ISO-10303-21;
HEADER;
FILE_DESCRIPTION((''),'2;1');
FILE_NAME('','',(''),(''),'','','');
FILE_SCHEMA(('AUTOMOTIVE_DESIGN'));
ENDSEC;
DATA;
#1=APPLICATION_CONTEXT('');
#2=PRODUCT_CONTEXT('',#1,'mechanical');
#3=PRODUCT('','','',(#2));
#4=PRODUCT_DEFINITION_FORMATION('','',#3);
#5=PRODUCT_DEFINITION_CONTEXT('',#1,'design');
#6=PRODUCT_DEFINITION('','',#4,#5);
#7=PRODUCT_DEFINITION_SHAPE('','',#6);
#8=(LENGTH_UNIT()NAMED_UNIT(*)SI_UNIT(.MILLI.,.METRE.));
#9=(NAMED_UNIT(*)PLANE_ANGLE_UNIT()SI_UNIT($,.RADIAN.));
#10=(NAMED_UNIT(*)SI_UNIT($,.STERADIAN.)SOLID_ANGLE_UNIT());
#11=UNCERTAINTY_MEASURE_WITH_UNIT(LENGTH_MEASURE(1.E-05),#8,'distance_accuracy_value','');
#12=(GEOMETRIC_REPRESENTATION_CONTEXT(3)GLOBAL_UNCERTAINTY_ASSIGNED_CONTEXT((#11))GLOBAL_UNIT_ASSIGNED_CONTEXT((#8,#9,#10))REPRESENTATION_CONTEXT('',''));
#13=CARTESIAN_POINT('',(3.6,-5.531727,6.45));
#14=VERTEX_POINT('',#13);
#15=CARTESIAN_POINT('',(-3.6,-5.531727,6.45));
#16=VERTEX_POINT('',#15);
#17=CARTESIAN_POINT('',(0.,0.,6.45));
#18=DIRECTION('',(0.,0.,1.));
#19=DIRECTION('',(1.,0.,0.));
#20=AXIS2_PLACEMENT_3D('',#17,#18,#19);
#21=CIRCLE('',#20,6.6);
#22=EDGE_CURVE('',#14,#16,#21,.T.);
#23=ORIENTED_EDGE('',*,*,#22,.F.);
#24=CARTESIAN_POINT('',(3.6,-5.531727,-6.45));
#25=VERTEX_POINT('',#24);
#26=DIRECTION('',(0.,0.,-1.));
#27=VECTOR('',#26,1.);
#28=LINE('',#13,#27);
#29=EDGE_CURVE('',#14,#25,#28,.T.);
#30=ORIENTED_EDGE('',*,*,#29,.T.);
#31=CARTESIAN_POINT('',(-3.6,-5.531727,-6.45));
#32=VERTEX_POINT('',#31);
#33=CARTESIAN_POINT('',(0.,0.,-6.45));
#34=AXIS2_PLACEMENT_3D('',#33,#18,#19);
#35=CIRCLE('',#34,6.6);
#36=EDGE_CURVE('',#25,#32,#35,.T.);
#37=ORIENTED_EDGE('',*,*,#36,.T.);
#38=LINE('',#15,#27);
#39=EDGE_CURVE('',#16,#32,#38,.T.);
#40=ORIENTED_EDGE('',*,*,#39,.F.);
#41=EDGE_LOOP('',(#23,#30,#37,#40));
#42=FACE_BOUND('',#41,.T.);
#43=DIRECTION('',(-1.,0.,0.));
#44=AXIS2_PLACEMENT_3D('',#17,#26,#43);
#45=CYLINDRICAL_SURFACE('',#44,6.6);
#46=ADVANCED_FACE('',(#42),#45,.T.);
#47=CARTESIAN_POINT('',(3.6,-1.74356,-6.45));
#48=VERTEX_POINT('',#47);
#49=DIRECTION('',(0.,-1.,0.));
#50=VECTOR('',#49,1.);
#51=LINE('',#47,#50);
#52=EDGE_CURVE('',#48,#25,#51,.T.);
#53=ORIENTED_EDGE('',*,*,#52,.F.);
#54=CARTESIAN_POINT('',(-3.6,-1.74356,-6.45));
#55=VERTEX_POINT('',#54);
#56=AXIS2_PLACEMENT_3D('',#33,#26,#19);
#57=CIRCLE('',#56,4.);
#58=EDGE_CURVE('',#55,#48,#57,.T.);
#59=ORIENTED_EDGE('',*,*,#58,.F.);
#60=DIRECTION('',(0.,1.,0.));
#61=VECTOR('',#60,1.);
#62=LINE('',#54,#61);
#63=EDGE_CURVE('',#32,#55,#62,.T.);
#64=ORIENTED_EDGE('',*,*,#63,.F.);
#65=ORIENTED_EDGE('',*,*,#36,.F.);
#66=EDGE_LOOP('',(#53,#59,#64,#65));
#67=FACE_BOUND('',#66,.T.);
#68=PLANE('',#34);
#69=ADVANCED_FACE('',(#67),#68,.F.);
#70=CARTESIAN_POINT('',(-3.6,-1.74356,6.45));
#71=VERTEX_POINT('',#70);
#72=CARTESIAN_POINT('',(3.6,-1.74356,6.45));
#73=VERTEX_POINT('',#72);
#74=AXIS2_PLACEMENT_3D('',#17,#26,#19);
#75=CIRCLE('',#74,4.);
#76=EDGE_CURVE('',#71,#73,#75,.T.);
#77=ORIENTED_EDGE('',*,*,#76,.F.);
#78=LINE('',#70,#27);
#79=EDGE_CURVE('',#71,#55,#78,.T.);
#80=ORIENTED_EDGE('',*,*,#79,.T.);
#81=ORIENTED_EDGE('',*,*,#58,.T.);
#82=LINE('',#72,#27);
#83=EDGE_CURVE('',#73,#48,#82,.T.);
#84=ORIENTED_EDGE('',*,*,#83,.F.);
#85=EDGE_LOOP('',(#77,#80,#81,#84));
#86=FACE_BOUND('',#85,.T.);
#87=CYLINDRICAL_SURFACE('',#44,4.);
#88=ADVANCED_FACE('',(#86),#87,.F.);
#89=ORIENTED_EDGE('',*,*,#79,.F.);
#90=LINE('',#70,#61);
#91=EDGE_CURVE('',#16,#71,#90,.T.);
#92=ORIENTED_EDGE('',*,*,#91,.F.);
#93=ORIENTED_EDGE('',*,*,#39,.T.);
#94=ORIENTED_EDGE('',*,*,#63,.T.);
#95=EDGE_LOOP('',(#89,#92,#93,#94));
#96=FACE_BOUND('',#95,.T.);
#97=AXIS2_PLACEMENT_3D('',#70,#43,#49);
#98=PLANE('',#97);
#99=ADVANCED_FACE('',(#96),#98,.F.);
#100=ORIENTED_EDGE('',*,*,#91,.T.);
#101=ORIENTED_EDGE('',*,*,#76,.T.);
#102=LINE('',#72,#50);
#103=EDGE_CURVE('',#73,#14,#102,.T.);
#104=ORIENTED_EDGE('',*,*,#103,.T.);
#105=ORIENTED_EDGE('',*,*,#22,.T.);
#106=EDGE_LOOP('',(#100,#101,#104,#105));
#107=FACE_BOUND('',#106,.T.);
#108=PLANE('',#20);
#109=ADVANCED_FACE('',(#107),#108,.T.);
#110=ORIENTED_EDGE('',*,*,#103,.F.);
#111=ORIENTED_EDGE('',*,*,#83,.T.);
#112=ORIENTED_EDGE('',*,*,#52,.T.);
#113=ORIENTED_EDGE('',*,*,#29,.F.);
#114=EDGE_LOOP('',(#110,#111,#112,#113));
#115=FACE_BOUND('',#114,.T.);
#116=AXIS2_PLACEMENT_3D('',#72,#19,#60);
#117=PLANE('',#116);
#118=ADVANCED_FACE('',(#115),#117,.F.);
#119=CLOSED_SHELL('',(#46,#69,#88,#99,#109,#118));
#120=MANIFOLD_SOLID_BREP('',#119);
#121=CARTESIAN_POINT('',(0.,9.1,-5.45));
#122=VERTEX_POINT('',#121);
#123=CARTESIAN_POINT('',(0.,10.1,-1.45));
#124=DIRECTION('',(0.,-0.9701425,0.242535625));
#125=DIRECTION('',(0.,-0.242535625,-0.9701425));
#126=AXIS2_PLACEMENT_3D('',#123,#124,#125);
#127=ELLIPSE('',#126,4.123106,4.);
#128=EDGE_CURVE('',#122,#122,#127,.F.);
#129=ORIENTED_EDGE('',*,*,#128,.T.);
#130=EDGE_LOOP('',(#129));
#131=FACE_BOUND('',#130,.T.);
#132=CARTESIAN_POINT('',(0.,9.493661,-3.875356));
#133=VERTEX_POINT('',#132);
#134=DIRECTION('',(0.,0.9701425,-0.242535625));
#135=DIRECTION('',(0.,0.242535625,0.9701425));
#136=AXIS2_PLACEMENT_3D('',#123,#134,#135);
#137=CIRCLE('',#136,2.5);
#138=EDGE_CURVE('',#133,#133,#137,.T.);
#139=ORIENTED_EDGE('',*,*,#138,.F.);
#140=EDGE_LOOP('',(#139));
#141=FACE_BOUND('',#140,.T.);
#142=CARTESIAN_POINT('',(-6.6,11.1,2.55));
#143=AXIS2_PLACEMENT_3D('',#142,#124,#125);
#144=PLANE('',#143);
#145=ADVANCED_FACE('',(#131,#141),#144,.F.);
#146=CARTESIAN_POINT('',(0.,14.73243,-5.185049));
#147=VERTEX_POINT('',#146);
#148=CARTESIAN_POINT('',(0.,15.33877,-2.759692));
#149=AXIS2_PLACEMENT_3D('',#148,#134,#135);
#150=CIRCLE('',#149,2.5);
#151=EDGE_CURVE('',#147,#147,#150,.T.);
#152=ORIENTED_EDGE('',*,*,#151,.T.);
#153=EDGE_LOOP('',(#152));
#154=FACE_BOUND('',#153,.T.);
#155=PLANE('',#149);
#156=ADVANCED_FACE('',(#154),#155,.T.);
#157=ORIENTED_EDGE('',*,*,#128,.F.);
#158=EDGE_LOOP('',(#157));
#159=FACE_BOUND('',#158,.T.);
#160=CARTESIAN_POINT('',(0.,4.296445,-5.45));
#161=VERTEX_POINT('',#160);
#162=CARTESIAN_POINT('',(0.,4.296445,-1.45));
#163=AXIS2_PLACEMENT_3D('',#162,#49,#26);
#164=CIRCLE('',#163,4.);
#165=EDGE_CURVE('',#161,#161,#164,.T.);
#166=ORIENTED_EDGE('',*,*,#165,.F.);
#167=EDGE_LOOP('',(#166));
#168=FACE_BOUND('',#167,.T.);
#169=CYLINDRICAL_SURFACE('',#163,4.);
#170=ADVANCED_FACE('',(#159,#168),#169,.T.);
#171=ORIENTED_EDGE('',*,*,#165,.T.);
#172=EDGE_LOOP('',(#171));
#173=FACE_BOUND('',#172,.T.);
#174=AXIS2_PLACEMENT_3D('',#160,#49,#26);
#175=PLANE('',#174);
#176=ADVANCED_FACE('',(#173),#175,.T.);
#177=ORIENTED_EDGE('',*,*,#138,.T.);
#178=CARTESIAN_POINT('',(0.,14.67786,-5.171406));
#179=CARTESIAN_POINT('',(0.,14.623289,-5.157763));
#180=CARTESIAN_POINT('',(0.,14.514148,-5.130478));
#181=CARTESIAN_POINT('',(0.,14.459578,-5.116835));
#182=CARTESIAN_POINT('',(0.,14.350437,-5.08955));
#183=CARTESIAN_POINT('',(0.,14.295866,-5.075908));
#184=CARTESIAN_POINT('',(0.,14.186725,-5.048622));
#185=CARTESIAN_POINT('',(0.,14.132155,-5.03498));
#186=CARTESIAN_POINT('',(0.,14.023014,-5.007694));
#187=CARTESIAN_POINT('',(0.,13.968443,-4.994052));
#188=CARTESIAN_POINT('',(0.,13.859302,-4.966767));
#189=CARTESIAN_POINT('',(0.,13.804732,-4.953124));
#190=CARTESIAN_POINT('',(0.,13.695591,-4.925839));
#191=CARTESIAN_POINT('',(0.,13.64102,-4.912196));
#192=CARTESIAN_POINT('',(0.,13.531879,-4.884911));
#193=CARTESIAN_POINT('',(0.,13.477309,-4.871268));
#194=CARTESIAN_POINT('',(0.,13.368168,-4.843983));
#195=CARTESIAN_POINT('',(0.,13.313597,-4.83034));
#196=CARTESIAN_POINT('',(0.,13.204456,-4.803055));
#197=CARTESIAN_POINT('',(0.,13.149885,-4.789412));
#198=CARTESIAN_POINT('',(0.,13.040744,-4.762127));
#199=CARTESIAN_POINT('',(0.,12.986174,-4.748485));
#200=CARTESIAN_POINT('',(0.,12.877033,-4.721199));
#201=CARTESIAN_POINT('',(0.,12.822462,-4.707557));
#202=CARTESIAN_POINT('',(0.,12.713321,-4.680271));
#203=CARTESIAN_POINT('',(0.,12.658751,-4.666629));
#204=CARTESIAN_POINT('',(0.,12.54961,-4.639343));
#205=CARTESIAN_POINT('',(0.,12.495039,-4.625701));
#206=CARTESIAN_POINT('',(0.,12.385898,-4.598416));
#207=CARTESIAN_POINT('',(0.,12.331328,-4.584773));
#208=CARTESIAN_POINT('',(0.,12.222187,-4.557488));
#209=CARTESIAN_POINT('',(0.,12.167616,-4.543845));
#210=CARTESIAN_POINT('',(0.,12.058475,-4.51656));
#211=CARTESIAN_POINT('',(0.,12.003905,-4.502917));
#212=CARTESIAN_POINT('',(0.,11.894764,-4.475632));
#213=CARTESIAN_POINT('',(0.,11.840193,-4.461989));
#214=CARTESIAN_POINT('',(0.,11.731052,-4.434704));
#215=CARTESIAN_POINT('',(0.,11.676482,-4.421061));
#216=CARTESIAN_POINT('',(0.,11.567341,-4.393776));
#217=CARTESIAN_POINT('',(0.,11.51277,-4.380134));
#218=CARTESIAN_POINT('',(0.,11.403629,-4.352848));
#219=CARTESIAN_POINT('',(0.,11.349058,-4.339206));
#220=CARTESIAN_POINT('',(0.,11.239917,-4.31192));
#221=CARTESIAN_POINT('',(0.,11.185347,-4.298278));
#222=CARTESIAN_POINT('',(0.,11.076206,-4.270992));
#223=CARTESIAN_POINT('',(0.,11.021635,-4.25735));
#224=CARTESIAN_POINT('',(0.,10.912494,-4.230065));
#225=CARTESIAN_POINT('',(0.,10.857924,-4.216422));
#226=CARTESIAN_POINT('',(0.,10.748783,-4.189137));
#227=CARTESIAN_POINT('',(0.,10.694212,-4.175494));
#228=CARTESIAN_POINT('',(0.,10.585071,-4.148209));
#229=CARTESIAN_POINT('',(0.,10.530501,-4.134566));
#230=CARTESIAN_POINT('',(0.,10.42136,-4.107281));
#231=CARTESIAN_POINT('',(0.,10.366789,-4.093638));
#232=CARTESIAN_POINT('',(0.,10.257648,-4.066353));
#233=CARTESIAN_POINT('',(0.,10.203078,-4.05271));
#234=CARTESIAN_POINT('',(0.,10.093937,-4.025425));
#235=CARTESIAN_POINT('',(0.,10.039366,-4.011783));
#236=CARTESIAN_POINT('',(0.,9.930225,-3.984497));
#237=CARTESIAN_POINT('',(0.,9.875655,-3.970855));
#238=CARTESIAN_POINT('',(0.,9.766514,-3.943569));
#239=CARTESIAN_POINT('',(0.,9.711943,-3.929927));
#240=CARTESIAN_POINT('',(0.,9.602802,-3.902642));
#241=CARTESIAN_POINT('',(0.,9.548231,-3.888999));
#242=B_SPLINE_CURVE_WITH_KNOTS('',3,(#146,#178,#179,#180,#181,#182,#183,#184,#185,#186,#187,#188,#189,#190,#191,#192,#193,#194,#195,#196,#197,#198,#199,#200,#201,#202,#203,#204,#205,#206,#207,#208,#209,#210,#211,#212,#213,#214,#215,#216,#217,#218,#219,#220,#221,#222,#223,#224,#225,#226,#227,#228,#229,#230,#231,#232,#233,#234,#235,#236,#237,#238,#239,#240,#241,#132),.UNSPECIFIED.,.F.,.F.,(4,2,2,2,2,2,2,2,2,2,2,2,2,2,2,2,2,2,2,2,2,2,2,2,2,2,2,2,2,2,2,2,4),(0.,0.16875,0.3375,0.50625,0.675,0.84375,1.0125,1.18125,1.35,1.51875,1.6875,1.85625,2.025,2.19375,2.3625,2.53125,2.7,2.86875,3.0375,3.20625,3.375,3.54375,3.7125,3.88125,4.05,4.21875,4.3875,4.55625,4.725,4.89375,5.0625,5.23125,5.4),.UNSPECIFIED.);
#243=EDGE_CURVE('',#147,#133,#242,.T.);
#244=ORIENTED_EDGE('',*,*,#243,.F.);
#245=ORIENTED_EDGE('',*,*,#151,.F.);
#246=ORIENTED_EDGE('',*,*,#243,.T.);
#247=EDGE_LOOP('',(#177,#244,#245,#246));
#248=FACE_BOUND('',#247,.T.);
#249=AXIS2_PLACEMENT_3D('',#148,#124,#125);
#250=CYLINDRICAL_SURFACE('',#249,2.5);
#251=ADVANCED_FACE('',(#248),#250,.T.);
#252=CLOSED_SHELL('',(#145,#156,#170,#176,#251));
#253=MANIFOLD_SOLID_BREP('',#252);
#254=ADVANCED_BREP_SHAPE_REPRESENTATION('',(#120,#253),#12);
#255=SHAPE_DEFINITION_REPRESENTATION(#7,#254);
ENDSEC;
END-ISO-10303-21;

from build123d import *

# Parameters (mm, degrees)
SALIENTE_EXTRUIR1_DEPTH    = 6.45
CROQUIS4_W                 = 4
CROQUIS4_H                 = 6.803555247
CORTAR_EXTRUIR1_DEPTH      = 15.435113439
CORTAR_EXTRUIR1_DEPTH_BACK = 15.435113439
CROQUIS6_R                 = 2.5
SALIENTE_EXTRUIR2_DEPTH    = 5.4


with BuildPart() as part:
    # Croquis3 → Saliente-Extruir1 (new, symmetric)
    with BuildSketch(Plane.XY):
        with BuildLine():
            Line((-3.6, -1.743559577), (-3.6, -5.531726674))
            ThreePointArc((-3.6, -5.531726674), (0, 6.6), (3.6, -5.531726674))
            Line((3.6, -5.531726674), (3.6, -1.743559577))
            ThreePointArc((3.6, -1.743559577), (0, 4), (-3.6, -1.743559577))
        make_face()
    extrude(amount=SALIENTE_EXTRUIR1_DEPTH, both=True)


with BuildPart() as body_2:
    # Croquis4 → Revolución5 (revolve)
    with BuildSketch(Plane(origin=(0, 0, 0), x_dir=(0, 0, -1), z_dir=(1, 0, 0))):
        with Locations((3.45, 7.698222377)):
            Rectangle(CROQUIS4_W, CROQUIS4_H)
    revolve(axis=Axis((0, 4.296444753, -1.45), (0, 1, 0)))

    # Croquis5 → Cortar-Extruir1 (cut, two sides: drawn at the far end of the back side and taken through both)
    with BuildSketch(Plane(origin=(0, 0, 0), x_dir=(0, 0, -1), z_dir=(1, 0, 0)).offset(-CORTAR_EXTRUIR1_DEPTH_BACK)):
        Polygon((-2.55, 11.1), (5.45, 9.1), (5.45, 11.1), align=None)
    extrude(amount=CORTAR_EXTRUIR1_DEPTH + CORTAR_EXTRUIR1_DEPTH_BACK, mode=Mode.SUBTRACT)

    # Croquis6 → Saliente-Extruir2 (add)
    with BuildSketch(Plane(origin=(0, 9.847058824, -2.461764706), x_dir=(1, 0, 0), z_dir=(0, 0.9701425001453319, -0.24253562503633297))):
        with Locations(Location((0, -1.042903188, 0), (0, 0, 90))):
            Circle(CROQUIS6_R)
    extrude(amount=SALIENTE_EXTRUIR2_DEPTH)


solid = Compound([part.part, body_2.part])
